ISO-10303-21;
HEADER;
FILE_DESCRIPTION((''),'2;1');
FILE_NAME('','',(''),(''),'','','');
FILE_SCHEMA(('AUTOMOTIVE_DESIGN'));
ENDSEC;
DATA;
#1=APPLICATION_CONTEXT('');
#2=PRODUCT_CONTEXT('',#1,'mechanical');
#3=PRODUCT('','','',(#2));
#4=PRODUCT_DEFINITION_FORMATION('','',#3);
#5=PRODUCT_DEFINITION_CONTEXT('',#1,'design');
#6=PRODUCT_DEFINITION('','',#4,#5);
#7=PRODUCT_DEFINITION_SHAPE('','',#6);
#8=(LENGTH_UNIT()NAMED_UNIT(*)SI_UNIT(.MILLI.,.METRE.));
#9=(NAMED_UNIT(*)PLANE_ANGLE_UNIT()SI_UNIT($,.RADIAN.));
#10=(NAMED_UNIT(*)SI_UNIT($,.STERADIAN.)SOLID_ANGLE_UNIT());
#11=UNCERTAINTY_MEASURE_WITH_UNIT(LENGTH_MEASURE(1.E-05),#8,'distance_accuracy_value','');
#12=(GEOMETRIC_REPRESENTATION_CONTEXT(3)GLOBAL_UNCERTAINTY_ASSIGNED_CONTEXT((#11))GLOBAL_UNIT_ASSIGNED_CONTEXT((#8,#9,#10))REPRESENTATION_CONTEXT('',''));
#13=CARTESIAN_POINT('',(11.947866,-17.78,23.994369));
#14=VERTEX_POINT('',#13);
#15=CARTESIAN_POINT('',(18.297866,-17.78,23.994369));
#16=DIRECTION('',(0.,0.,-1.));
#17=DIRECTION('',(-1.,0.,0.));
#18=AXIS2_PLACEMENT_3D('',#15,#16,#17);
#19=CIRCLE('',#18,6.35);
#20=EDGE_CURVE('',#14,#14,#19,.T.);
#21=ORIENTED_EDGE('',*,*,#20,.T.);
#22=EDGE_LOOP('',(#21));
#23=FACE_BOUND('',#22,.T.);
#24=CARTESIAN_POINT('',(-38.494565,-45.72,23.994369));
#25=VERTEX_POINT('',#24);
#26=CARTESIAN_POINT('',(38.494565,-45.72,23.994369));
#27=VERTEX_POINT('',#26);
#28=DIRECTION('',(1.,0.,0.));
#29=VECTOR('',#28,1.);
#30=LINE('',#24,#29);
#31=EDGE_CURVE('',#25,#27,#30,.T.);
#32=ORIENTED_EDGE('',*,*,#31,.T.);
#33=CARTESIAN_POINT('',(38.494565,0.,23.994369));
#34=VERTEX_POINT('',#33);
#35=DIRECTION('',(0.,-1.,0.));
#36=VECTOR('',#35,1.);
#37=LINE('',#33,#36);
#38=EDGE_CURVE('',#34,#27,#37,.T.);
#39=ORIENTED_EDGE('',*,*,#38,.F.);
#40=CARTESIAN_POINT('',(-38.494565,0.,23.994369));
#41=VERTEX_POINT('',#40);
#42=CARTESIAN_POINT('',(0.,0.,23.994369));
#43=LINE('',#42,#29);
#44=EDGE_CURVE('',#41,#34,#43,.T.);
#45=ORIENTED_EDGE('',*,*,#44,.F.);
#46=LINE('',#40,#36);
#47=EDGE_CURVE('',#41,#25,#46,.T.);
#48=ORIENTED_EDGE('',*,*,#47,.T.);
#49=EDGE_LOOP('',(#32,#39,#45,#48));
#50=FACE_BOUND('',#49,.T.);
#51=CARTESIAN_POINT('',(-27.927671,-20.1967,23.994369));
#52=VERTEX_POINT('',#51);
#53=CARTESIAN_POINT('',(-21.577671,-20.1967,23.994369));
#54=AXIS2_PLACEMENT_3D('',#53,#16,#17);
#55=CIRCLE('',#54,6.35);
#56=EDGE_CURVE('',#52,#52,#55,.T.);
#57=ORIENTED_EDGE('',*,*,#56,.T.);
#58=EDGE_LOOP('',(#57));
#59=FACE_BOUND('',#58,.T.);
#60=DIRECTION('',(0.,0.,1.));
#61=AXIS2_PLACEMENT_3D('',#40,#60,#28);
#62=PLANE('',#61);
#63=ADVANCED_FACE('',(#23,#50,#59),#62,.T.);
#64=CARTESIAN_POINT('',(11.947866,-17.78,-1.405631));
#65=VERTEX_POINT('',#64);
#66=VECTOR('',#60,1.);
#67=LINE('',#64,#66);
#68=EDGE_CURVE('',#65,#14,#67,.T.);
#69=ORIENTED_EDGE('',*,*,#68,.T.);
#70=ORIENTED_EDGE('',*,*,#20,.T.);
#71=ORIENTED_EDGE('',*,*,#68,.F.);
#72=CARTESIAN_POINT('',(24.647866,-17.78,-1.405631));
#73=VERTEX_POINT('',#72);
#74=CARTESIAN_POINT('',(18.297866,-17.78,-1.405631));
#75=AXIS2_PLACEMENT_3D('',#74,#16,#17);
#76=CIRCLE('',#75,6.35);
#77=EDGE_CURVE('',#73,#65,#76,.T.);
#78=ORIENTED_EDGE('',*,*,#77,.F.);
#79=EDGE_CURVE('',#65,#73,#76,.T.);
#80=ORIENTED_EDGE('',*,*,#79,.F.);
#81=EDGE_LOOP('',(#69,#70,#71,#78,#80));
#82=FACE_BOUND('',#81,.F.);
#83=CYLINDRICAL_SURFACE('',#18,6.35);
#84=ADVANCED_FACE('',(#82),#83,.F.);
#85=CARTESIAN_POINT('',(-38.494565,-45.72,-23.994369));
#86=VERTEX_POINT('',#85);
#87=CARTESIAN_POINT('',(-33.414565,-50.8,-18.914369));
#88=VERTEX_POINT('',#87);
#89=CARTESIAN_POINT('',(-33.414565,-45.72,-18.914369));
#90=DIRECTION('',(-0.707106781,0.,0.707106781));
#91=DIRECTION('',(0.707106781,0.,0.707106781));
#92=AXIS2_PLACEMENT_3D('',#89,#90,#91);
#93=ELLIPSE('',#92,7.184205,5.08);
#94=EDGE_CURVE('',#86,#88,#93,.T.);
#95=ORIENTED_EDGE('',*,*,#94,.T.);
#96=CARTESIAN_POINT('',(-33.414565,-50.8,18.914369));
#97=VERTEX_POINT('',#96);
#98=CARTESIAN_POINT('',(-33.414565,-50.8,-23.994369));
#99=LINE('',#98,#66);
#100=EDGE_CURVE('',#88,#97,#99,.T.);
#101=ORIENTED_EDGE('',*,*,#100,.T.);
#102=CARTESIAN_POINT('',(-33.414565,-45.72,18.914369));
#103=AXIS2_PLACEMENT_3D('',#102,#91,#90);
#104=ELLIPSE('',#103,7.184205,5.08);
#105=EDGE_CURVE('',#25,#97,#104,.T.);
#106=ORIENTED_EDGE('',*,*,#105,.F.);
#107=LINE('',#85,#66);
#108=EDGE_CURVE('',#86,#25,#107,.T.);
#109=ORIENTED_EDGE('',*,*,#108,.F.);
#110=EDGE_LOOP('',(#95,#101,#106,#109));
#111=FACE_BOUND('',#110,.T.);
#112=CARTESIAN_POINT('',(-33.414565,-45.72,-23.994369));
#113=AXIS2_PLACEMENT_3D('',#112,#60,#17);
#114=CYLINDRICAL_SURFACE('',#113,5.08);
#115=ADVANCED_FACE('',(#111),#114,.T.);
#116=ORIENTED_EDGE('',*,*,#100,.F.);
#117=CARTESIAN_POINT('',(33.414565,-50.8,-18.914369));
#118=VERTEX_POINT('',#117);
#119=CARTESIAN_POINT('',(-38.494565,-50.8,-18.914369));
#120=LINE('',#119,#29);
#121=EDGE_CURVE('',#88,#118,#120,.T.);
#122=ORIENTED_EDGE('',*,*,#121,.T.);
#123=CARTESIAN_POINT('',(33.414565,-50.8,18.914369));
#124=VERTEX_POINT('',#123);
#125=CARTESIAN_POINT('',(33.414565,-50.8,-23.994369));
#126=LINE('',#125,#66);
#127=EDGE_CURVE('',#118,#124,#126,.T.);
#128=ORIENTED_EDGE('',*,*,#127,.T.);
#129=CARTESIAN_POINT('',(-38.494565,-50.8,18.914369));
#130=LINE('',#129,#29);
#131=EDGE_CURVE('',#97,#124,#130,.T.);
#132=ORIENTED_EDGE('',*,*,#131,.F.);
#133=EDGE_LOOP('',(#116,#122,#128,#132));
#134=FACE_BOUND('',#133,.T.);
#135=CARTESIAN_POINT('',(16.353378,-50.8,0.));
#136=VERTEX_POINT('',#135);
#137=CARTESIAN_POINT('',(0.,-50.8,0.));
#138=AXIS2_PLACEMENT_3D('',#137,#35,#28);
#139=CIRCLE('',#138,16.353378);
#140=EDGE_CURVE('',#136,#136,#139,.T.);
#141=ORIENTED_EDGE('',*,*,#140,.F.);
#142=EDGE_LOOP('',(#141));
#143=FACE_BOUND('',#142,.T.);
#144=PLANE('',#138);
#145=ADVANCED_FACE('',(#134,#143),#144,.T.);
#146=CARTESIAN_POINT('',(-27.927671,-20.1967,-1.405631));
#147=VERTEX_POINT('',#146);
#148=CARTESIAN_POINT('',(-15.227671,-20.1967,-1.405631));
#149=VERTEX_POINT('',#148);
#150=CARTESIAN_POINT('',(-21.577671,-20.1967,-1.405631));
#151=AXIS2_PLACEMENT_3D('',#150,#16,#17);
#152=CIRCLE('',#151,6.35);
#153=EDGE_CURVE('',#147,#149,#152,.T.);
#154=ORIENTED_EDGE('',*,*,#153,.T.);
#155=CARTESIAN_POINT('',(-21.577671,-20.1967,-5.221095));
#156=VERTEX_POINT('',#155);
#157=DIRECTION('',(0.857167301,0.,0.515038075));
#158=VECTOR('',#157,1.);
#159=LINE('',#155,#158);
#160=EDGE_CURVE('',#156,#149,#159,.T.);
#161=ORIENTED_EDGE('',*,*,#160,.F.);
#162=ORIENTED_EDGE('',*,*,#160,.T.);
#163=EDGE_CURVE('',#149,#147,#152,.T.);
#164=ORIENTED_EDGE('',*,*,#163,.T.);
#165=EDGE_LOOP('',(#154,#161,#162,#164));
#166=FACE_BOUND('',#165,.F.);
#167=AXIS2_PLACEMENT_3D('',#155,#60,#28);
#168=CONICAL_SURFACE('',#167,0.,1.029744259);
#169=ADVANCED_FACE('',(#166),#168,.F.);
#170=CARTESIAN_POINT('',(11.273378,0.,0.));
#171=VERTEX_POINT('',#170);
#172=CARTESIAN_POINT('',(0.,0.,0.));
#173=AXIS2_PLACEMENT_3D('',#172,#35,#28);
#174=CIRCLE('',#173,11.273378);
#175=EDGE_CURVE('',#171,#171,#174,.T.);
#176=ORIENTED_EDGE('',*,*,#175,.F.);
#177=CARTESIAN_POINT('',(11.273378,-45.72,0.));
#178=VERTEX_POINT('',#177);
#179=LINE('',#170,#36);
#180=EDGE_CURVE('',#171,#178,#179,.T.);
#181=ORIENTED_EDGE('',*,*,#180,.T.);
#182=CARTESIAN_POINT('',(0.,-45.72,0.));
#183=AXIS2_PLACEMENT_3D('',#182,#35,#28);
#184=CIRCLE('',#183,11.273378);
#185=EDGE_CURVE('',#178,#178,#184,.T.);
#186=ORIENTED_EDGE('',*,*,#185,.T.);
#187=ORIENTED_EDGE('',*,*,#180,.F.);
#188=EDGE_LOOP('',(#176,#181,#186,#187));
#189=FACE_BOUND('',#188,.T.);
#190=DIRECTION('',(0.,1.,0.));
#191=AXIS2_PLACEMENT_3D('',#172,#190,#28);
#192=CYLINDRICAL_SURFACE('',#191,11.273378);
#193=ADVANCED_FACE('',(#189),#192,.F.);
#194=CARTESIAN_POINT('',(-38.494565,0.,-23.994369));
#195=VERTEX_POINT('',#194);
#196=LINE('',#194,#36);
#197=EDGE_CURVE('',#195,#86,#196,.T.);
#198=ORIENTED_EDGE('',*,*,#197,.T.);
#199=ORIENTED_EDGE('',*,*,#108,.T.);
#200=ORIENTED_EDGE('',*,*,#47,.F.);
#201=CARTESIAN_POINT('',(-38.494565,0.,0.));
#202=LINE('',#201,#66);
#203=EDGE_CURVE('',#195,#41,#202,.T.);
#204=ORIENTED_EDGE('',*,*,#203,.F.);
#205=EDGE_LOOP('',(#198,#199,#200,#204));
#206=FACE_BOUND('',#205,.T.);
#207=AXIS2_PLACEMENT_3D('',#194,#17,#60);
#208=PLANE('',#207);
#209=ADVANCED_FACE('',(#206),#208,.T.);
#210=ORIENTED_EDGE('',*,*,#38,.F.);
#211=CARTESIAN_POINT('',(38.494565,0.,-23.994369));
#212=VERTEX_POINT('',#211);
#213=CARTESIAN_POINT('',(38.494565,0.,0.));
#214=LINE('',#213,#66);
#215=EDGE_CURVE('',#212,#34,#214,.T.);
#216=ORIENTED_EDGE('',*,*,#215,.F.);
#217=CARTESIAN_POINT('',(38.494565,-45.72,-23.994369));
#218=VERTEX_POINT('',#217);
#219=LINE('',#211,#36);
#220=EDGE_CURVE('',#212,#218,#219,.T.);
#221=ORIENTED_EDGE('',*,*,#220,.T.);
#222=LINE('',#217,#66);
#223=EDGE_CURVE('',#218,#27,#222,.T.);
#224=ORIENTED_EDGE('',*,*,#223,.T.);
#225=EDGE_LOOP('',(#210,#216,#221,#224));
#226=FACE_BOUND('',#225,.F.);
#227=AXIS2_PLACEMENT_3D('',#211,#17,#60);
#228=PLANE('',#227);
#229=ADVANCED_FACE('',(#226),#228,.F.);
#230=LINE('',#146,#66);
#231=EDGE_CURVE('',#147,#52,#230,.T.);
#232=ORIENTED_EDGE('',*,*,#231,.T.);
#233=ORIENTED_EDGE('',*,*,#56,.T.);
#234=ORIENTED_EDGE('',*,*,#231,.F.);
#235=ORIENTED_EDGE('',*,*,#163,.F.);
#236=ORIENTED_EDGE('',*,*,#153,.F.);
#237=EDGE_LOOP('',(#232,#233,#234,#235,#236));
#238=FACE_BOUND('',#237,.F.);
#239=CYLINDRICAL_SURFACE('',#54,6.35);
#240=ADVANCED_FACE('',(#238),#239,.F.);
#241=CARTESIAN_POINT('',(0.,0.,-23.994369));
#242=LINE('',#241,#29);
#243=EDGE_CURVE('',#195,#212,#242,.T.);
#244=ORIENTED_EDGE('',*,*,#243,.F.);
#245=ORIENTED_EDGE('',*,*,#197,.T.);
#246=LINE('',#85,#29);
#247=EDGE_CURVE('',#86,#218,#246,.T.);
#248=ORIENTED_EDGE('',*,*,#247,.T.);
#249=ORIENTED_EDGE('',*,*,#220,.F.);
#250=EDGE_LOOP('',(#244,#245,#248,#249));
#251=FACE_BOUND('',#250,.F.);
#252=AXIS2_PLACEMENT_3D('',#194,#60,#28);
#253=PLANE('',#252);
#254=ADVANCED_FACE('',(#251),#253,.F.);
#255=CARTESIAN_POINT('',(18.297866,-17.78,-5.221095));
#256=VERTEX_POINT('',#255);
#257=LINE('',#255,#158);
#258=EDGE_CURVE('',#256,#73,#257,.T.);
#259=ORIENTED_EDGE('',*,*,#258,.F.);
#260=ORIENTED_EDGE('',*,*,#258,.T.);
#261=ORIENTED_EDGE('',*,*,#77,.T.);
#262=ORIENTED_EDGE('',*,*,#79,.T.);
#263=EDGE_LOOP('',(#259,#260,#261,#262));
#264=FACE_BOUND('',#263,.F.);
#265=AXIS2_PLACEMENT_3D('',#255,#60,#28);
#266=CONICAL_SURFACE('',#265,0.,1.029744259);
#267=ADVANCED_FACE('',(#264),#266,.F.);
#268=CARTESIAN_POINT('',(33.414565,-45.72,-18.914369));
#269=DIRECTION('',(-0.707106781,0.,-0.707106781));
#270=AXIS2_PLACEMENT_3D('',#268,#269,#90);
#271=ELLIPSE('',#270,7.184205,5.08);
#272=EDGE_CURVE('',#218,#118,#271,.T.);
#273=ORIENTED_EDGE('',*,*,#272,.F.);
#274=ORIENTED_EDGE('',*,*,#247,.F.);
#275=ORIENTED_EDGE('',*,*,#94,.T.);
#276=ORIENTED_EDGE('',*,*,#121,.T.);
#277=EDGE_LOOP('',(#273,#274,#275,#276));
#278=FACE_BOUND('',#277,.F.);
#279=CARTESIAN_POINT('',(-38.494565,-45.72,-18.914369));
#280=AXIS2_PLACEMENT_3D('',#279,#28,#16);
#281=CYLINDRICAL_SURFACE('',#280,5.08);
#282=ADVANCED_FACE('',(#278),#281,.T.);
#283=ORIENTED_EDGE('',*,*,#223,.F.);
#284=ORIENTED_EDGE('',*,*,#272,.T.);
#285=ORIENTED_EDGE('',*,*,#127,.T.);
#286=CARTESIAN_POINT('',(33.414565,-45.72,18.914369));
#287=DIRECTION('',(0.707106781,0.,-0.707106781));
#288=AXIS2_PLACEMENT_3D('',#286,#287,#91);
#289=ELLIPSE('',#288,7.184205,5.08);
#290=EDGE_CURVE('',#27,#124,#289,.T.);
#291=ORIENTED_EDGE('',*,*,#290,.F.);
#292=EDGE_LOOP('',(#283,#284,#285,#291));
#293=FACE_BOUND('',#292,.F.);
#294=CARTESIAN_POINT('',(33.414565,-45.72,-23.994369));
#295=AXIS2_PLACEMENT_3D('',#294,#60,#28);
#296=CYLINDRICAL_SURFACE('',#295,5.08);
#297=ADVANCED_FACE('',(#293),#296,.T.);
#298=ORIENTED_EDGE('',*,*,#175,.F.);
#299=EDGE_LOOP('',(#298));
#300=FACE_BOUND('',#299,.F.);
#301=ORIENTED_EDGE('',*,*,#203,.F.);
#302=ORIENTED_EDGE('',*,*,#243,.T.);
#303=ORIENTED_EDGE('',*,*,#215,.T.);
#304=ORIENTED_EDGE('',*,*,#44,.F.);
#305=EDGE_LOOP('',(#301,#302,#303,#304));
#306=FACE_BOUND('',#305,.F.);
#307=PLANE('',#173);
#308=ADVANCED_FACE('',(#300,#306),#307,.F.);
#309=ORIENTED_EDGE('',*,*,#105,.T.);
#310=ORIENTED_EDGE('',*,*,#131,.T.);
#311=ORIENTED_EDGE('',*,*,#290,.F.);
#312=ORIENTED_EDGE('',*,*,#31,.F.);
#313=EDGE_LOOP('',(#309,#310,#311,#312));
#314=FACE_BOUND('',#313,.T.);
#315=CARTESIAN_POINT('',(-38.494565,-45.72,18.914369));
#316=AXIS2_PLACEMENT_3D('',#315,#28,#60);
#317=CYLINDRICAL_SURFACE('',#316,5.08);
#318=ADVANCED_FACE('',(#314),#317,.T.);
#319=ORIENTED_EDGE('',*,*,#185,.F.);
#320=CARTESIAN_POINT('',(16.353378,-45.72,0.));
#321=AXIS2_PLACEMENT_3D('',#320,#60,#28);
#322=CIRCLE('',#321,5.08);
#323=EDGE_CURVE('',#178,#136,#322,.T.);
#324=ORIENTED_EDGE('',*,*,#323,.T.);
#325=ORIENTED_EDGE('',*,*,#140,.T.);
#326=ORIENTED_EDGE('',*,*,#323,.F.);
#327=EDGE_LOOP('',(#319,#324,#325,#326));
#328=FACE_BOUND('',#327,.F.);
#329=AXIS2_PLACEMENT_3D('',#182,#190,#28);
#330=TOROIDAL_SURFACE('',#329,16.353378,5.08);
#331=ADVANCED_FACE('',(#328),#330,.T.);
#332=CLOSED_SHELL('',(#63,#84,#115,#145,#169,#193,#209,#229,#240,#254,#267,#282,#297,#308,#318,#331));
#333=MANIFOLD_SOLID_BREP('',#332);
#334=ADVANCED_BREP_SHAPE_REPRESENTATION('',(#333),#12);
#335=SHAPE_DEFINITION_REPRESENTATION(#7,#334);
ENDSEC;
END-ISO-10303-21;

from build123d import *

# Parameters (mm, degrees)
F0_W           = 76.9891291857
F0_H           = 47.9887388647
F0_R           = 11.2733779571
F1_DEPTH       = 50.8
F2_R           = 5.08
F4_D           = 12.7
F4_DEPTH       = 25.4
F4_CBORE_D     = 12.7
F4_CBORE_DEPTH = 6.35
F4_TIP         = 3.8154649308


with BuildPart() as f1:
    # F0 (on Front) → F1 (new body)
    with BuildSketch(Plane.XZ):
        Rectangle(F0_W, F0_H)
        Circle(F0_R, mode=Mode.SUBTRACT)
    extrude(amount=F1_DEPTH)

    # F2
    f2_edges = [f1.edges().sort_by_distance(p)[0] for p in [
        (38.494565, -50.8, 0),
        (-38.494565, -50.8, 0),
        (0, -50.8, 23.994369),
        (0, -50.8, -23.994369),
        (-11.273378, -50.8, 0),
    ]]
    fillet(f2_edges, radius=F2_R)

    # F4
    with Locations(Plane.XY.offset(23.9943694323)):
        with Locations((-21.5776711702, -20.1967004687), (18.2978659868, -17.7800003439)):
            CounterBoreHole(F4_D / 2, F4_CBORE_D / 2, F4_CBORE_DEPTH, depth=F4_DEPTH)
            with Locations((0, 0, -(F4_DEPTH + F4_TIP / 2))):  # 118° drill point
                Cone(0, F4_D / 2, F4_TIP, mode=Mode.SUBTRACT)


solid = f1.part
